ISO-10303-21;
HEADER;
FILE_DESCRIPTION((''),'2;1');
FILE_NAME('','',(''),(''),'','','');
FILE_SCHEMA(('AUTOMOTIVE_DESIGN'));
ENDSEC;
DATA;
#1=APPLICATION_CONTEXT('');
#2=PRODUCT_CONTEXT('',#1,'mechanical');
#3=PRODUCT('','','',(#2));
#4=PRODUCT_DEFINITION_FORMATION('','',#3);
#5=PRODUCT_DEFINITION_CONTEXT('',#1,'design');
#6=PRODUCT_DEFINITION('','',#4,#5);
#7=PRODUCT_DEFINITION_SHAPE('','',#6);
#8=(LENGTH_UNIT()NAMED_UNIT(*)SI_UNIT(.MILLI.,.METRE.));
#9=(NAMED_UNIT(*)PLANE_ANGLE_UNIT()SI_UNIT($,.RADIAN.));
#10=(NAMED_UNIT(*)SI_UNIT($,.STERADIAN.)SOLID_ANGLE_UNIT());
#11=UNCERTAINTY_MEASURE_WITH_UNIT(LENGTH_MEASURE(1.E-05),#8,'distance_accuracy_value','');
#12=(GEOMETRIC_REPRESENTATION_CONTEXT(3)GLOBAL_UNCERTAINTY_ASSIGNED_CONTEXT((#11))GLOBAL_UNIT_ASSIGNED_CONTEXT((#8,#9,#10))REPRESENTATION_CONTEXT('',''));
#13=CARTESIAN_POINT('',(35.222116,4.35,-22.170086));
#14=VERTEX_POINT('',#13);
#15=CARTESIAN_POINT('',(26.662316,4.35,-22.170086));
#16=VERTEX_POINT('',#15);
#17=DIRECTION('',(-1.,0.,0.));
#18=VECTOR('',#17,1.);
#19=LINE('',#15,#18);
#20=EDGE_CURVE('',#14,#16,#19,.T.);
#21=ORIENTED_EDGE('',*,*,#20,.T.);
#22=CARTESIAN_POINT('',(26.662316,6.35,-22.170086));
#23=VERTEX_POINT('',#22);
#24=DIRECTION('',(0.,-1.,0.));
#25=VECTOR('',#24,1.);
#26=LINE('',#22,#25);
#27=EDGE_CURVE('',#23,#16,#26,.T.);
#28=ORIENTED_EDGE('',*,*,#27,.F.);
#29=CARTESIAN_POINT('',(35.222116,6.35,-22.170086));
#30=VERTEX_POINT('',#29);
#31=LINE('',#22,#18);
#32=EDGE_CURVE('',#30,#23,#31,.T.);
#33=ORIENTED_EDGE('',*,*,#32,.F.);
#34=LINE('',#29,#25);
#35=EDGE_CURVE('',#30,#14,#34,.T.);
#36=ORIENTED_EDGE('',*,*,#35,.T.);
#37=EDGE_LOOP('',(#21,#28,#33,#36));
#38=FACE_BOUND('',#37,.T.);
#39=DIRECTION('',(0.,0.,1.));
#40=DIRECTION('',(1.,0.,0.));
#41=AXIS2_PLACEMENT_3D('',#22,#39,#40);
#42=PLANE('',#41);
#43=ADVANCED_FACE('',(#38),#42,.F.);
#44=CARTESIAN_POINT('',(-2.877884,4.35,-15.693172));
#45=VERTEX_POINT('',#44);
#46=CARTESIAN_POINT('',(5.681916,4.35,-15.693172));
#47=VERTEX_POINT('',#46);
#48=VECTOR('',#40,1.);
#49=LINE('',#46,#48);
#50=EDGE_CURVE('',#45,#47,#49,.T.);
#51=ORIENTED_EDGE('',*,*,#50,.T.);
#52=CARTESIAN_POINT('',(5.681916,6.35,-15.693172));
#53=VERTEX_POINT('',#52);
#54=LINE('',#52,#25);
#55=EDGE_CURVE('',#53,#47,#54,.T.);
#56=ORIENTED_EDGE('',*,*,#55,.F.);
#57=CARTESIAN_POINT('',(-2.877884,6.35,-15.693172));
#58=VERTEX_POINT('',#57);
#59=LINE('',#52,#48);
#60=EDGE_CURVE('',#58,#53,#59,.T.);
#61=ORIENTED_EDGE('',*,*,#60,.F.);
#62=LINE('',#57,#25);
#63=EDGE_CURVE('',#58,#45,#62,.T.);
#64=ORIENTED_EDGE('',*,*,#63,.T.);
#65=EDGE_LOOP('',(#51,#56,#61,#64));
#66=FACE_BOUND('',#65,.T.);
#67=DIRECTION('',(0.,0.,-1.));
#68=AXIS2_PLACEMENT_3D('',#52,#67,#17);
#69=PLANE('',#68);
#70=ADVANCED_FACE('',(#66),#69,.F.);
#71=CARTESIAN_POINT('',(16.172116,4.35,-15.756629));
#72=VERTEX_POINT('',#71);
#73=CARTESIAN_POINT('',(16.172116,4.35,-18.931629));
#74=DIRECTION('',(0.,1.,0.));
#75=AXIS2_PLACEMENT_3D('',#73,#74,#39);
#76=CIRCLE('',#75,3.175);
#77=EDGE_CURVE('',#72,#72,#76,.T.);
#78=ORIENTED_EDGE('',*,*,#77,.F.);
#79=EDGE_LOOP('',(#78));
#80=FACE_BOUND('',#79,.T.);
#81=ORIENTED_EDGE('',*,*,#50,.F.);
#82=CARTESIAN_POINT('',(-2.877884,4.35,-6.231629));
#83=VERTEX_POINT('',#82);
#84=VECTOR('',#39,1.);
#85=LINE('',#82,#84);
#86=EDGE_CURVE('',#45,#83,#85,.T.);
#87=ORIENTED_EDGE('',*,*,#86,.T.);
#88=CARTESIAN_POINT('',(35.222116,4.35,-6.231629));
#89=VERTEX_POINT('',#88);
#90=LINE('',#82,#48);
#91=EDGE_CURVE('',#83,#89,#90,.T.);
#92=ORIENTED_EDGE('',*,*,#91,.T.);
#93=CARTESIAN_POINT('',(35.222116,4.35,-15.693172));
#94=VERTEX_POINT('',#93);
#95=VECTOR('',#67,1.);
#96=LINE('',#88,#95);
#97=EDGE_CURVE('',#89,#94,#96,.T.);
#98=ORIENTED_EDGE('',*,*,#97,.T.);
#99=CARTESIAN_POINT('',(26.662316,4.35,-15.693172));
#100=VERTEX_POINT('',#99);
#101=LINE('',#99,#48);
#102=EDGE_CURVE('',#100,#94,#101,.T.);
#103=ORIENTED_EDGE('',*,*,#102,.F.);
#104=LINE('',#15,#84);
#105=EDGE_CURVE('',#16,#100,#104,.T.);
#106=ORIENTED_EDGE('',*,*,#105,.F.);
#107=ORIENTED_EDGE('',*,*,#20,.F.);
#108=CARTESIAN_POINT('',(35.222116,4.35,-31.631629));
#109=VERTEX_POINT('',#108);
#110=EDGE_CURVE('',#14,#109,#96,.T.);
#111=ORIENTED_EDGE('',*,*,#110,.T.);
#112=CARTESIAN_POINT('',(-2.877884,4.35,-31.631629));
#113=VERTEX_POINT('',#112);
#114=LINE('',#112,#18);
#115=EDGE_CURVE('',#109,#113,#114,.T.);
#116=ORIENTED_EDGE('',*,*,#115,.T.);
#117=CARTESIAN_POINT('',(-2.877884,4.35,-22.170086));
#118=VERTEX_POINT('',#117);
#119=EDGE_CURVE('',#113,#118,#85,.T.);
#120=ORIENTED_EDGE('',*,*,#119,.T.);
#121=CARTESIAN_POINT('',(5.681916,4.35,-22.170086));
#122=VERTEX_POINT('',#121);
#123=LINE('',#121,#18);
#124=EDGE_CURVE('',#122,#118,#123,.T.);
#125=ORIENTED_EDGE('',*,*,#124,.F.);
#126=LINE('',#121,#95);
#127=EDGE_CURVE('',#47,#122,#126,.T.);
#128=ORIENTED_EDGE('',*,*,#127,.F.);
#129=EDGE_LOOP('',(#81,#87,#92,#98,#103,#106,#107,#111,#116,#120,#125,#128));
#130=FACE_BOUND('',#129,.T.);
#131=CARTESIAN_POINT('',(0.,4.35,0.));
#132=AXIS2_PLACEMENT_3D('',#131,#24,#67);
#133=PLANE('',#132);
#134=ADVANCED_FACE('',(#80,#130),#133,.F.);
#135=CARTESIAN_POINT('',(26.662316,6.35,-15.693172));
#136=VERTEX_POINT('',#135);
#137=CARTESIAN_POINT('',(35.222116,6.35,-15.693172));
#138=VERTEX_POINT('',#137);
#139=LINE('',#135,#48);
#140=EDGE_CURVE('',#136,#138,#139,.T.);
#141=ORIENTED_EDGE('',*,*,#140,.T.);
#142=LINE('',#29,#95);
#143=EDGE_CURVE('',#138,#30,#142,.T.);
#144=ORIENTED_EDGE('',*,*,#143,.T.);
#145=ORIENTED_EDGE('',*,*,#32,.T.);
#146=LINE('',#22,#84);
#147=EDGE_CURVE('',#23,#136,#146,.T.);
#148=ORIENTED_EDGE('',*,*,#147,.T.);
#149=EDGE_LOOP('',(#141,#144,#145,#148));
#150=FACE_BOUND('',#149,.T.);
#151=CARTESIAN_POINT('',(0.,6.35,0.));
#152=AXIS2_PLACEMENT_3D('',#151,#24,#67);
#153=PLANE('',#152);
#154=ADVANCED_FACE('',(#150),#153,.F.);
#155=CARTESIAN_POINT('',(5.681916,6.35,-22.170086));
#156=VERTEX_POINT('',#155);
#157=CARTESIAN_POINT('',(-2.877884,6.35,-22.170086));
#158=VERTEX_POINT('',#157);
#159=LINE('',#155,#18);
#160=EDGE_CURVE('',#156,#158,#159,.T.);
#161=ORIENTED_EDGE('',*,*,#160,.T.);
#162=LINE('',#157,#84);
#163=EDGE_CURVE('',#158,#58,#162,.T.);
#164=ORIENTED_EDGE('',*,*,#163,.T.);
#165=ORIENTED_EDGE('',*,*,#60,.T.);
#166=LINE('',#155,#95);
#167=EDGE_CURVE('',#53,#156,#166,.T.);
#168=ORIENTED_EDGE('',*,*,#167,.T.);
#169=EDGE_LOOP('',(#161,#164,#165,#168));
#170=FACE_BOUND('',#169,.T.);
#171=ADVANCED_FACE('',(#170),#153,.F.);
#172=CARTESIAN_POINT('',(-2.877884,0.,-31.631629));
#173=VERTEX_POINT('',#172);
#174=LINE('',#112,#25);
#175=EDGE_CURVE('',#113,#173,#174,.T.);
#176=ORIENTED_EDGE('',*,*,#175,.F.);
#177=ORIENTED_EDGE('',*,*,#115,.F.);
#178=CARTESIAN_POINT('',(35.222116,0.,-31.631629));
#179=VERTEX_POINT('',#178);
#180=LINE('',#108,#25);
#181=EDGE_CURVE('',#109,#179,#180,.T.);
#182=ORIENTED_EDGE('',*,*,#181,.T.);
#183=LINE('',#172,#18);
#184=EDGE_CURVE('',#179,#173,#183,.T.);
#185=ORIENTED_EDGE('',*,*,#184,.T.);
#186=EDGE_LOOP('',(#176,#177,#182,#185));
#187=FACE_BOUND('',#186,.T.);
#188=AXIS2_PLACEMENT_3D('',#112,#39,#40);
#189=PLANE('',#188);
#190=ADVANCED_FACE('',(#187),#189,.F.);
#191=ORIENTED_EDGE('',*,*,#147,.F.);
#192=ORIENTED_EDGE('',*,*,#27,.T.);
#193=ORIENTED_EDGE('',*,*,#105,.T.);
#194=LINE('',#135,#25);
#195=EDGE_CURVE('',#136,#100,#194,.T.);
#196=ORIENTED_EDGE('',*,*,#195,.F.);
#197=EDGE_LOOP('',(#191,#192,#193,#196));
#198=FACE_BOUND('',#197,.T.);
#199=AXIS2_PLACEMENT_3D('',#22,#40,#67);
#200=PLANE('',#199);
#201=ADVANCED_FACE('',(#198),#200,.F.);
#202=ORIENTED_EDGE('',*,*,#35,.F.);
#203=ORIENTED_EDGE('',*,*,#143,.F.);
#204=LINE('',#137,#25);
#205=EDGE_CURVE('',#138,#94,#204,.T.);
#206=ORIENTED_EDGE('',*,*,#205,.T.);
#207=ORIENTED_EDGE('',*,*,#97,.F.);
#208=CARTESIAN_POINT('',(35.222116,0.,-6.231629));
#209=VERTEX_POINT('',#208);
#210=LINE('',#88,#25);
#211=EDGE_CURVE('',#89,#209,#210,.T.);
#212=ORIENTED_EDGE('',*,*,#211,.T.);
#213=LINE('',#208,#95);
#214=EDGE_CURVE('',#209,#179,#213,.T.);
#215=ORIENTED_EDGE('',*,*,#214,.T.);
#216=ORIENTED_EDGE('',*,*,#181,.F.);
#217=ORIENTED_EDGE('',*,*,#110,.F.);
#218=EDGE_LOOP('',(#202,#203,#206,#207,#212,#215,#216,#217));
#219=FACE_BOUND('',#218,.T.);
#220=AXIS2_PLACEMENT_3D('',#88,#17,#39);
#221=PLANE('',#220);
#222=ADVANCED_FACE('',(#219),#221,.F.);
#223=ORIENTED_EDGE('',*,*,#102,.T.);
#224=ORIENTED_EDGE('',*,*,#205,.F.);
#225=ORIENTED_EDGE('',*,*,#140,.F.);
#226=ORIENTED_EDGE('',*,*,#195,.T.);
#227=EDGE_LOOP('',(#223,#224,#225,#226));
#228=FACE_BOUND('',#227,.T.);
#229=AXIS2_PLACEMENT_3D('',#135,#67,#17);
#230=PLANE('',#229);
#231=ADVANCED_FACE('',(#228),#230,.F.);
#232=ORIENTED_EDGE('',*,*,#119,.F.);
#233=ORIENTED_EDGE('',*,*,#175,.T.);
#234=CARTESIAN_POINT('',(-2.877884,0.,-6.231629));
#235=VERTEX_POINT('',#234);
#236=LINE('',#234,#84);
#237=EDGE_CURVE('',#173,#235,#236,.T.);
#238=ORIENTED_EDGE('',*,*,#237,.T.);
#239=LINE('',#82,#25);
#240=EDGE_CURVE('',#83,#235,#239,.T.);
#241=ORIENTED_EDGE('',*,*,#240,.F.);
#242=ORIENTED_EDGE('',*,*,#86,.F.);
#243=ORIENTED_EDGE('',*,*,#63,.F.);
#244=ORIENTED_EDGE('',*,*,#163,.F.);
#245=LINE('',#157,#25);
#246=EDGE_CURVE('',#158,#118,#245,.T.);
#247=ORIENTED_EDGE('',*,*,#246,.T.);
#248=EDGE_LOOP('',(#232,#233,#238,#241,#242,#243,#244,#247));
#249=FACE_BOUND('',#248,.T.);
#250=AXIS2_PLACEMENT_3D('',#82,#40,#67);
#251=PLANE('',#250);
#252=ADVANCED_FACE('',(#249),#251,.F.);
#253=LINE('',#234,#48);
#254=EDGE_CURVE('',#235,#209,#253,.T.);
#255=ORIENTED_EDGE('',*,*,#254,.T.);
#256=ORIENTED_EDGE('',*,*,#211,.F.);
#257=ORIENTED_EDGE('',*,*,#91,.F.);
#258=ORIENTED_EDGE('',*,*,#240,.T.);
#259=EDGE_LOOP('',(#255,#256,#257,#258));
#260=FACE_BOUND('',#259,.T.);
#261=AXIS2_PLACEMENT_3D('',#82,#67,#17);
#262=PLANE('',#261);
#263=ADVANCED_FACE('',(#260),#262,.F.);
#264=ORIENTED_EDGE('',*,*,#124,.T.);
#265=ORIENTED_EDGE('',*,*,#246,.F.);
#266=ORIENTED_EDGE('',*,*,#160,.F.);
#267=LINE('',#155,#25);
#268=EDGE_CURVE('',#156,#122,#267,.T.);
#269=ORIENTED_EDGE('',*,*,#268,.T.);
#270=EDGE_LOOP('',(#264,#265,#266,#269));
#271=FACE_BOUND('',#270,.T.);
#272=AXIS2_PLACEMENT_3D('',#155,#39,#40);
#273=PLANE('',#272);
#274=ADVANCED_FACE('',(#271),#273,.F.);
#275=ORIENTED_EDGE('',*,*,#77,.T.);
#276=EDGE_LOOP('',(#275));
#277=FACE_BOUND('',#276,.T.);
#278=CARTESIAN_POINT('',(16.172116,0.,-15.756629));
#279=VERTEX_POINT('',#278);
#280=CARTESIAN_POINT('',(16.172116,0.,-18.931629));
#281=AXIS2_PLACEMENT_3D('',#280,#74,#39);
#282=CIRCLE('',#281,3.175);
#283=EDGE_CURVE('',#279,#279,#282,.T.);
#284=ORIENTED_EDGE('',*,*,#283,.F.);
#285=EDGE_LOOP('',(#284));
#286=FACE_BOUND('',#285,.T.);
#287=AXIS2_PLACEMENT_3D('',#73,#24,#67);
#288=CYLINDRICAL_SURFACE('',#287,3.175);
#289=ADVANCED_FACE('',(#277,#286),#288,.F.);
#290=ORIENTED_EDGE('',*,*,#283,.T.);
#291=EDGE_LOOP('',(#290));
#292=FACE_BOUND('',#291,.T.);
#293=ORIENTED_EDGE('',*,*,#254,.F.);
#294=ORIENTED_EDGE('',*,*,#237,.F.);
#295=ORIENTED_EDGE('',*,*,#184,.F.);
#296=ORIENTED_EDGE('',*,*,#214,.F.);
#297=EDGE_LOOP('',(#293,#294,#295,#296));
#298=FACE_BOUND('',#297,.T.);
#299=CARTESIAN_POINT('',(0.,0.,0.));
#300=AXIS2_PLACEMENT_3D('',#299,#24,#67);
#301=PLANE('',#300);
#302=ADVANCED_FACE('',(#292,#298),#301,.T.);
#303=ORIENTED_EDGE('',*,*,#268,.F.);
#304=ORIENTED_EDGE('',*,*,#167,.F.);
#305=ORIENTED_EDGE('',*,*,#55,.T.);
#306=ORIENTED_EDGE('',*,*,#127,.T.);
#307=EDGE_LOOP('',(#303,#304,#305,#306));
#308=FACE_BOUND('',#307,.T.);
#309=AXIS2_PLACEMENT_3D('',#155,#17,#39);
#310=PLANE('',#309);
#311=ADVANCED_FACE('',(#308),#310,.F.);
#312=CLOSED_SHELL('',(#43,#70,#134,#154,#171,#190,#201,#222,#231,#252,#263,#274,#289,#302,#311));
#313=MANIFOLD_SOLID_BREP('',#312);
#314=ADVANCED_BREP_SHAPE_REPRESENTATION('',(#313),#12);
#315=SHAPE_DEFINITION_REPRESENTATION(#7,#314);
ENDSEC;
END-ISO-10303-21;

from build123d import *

# Parameters (mm, degrees)
SKETCH1_W           = 38.1
SKETCH1_H           = 25.4
SKETCH1_R           = 3.175
BOSS_EXTRUDE1_DEPTH = 4.35
SKETCH2_W           = 8.5598
SKETCH2_H           = 6.476913764
BOSS_EXTRUDE2_DEPTH = 2


with BuildPart() as part:
    # Sketch1 → Boss-Extrude1 (new body)
    with BuildSketch(Plane(origin=(0, 0, 0), x_dir=(1, 0, 0), z_dir=(0, 1, 0))):
        with Locations((16.172116278, 18.931628639)):
            Rectangle(SKETCH1_W, SKETCH1_H)
        with Locations(Location((16.172116278, 18.931628639, 0), (0, 0, 270))):
            Circle(SKETCH1_R, mode=Mode.SUBTRACT)
    extrude(amount=BOSS_EXTRUDE1_DEPTH)

    # Sketch2 → Boss-Extrude2 (add)
    with BuildSketch(Plane(origin=(0, 4.35, 0), x_dir=(1, 0, 0), z_dir=(0, 1, 0))):
        with Locations((1.402016278, 18.931628639)):
            Rectangle(SKETCH2_W, SKETCH2_H)
        with Locations((30.942216278, 18.931628639)):
            Rectangle(SKETCH2_W, SKETCH2_H)
    extrude(amount=BOSS_EXTRUDE2_DEPTH)


solid = part.part
